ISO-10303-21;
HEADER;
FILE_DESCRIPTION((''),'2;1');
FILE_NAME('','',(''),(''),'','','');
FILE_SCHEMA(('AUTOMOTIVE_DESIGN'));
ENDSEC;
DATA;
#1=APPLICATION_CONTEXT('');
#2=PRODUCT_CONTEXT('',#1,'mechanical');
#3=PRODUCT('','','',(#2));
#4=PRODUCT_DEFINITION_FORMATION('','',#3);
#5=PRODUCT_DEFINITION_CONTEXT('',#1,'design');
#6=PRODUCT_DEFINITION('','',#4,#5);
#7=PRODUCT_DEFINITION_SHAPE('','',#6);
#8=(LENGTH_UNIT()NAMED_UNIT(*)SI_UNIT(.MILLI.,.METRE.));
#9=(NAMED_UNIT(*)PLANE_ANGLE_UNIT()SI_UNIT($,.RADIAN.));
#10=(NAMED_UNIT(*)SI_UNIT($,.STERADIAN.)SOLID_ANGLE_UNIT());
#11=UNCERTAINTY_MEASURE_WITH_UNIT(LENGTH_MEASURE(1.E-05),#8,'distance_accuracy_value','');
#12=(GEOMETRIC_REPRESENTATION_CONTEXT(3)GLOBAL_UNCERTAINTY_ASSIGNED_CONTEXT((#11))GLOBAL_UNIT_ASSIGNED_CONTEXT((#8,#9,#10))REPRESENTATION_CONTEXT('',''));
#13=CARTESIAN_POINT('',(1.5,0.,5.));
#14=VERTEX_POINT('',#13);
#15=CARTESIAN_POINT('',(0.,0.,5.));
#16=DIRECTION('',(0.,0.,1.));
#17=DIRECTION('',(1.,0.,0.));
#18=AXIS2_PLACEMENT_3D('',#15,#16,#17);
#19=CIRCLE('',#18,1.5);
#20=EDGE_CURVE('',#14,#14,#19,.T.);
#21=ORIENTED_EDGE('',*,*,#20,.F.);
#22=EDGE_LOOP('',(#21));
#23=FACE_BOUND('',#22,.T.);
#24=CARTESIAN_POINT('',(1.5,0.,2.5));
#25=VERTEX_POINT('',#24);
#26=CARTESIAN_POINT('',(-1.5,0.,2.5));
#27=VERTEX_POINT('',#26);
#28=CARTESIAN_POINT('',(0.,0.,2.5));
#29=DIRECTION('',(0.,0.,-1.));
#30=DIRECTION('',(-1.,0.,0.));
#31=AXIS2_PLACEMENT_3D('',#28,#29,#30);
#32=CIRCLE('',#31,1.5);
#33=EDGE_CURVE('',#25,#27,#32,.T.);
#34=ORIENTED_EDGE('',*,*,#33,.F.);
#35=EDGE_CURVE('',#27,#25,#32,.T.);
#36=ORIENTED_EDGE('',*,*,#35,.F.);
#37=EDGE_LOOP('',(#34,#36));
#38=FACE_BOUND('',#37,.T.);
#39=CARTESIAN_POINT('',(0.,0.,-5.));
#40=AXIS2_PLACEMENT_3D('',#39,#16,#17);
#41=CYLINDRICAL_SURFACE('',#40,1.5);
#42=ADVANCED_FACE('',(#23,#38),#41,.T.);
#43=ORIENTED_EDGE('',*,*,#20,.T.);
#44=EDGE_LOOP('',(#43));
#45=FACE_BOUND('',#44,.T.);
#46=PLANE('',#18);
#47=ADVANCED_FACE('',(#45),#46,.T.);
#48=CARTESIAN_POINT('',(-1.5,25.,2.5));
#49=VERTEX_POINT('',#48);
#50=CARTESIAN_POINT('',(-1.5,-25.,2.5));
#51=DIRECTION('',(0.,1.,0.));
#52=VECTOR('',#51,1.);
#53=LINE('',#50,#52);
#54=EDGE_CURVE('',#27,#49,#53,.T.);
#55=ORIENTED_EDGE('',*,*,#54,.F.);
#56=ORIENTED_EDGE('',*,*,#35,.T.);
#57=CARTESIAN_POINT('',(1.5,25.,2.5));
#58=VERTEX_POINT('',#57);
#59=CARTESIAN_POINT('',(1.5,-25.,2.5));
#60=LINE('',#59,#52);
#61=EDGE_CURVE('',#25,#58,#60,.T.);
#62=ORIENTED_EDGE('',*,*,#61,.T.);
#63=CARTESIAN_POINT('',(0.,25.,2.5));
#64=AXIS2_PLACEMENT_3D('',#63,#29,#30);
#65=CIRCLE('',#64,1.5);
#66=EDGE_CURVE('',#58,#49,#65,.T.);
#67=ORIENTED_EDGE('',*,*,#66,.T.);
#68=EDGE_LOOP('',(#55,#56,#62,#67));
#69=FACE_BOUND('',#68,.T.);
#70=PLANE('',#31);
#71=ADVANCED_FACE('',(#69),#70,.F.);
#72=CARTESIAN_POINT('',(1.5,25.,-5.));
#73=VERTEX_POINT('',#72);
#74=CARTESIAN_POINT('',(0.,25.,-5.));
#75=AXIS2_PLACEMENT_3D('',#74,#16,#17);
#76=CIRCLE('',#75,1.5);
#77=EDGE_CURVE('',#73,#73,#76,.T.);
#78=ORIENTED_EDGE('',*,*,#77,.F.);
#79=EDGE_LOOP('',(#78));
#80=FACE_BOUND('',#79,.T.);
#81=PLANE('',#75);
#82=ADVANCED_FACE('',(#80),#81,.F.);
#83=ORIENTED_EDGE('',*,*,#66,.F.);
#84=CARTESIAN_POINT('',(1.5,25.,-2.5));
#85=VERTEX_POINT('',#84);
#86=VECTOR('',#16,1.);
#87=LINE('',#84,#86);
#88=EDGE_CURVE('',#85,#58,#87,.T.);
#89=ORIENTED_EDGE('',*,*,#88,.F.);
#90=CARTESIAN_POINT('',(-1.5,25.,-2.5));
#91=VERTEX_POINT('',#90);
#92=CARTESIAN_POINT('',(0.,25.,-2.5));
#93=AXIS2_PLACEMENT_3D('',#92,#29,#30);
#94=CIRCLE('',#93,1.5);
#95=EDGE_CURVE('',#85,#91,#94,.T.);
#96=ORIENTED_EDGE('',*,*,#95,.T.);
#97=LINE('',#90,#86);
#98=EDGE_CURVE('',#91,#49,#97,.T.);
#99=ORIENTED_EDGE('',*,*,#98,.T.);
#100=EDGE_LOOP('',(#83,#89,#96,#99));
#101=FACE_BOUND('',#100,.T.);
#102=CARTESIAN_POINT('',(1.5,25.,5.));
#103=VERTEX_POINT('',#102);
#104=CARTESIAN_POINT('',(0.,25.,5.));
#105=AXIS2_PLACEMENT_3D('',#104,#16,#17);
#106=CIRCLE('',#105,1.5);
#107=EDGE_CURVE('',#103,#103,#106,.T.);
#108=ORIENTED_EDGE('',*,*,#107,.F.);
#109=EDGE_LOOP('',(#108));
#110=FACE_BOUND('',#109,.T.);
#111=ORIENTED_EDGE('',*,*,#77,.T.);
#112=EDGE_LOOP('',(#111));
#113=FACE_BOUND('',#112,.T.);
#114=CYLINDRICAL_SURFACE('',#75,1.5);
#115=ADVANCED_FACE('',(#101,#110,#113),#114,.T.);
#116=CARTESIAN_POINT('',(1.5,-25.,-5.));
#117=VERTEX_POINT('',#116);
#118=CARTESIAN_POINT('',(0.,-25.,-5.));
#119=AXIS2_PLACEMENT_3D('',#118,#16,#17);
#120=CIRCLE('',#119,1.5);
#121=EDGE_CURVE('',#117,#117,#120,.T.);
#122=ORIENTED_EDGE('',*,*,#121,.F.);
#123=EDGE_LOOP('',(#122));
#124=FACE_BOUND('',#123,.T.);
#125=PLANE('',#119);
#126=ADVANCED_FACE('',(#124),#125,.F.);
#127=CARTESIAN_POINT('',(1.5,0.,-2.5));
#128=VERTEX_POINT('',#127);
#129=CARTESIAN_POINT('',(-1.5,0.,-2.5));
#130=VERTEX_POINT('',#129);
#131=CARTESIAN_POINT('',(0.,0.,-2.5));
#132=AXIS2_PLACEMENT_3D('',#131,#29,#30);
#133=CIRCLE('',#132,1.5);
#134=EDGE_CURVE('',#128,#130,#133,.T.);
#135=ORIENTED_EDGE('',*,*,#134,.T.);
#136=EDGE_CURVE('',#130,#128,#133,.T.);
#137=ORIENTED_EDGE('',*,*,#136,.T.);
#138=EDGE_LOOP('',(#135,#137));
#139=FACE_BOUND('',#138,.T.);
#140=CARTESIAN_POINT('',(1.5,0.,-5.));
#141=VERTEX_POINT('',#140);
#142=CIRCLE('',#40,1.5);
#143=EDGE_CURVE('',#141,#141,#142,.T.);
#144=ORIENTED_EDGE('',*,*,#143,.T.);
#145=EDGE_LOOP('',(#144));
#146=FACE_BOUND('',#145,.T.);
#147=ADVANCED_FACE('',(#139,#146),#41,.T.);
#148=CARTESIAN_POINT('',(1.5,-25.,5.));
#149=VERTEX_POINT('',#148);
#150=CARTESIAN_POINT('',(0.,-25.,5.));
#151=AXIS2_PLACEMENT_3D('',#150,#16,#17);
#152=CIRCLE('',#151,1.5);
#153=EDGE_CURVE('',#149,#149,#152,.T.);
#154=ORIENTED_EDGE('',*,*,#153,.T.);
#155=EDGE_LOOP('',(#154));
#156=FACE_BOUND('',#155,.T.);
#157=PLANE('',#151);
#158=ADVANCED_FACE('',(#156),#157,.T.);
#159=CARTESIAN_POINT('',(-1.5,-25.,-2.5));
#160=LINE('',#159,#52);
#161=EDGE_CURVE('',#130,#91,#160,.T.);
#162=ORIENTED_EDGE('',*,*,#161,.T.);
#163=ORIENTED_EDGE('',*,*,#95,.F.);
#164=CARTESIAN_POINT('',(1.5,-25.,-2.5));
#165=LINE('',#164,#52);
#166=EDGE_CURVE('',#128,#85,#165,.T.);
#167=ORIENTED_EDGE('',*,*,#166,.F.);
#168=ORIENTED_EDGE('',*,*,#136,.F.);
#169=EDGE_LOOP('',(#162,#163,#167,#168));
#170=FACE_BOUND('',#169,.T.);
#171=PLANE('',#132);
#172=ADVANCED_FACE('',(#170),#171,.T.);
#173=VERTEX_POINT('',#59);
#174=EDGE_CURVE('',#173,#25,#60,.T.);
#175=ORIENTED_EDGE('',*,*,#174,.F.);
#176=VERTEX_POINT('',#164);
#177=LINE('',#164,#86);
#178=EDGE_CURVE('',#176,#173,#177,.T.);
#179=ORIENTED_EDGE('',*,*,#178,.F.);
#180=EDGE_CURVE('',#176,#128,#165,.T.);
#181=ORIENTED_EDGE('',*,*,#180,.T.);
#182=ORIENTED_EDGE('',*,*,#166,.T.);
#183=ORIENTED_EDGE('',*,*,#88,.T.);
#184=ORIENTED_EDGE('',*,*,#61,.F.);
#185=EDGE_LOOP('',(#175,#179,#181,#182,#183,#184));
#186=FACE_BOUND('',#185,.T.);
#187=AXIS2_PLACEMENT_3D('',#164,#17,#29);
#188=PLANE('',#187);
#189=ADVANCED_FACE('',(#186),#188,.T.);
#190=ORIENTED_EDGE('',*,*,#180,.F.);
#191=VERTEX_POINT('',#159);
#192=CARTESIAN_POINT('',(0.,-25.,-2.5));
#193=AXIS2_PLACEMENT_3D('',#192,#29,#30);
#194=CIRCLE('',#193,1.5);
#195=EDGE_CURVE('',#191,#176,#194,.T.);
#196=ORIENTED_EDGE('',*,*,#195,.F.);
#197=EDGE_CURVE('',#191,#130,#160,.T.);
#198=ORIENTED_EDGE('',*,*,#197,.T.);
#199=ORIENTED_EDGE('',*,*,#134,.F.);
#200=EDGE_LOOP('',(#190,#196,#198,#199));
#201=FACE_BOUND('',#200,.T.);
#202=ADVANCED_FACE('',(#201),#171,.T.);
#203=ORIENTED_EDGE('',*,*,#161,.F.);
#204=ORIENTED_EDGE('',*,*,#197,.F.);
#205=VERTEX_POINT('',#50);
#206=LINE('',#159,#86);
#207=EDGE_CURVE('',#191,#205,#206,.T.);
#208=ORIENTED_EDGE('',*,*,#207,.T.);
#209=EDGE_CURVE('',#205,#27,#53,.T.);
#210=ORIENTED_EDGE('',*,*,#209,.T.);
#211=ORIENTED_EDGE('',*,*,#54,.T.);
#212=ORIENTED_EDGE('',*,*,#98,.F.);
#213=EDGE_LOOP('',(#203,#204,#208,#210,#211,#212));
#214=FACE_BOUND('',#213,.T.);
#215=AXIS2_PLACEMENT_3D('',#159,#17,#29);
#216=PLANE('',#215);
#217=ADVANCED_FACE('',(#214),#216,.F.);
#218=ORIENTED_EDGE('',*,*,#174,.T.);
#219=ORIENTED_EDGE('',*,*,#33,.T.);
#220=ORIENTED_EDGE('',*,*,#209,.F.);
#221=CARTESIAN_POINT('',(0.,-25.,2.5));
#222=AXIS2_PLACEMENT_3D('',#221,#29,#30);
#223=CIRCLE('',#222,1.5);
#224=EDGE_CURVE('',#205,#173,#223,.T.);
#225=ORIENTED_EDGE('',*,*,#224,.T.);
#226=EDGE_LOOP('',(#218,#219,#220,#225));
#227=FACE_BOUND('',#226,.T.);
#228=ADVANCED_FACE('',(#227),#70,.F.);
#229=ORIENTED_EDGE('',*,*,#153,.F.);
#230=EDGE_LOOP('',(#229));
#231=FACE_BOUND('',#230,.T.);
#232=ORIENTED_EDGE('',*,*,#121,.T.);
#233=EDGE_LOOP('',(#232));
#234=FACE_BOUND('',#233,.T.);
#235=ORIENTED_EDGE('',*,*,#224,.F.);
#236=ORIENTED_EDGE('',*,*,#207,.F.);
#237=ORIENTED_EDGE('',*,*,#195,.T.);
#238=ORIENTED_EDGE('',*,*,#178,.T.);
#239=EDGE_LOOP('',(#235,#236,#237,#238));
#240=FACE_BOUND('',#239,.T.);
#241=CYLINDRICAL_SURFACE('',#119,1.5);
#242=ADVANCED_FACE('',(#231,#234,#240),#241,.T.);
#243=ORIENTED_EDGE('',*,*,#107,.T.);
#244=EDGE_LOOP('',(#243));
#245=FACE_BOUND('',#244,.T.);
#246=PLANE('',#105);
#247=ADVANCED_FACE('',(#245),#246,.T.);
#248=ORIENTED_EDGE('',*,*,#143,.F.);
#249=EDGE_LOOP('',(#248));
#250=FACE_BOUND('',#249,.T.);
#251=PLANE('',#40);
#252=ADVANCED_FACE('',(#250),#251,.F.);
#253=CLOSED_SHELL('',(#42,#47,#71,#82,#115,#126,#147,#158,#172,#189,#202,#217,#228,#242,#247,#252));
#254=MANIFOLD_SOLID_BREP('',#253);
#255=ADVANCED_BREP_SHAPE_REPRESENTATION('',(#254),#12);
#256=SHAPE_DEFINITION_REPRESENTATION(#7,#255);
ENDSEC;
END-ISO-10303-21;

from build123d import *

# Parameters (mm, degrees)
SALIENTE_EXTRUIR1_DEPTH      = 2.5
SALIENTE_EXTRUIR1_DEPTH_BACK = 2.5
CROQUIS1_W                   = 3
CROQUIS1_H                   = 50
SALIENTE_EXTRUIR2_DEPTH      = 5
SALIENTE_EXTRUIR2_DEPTH_BACK = 5
CROQUIS1_3_R                 = 1.5


with BuildPart() as part:
    # Croquis1 → Saliente-Extruir1 (new, two sides: drawn at the far end of the back side and taken through both)
    with BuildSketch(Plane.XY.offset(-SALIENTE_EXTRUIR1_DEPTH_BACK)):
        Rectangle(CROQUIS1_W, CROQUIS1_H)
    extrude(amount=SALIENTE_EXTRUIR1_DEPTH + SALIENTE_EXTRUIR1_DEPTH_BACK)

    # Croquis1<3> → Saliente-Extruir2 (add, two sides: drawn at the far end of the back side and taken through both)
    with BuildSketch(Plane.XY.offset(-SALIENTE_EXTRUIR2_DEPTH_BACK)):
        with Locations((0, 25)):
            Circle(CROQUIS1_3_R)
        with Locations((0, -25)):
            Circle(CROQUIS1_3_R)
        Circle(CROQUIS1_3_R)
    extrude(amount=SALIENTE_EXTRUIR2_DEPTH + SALIENTE_EXTRUIR2_DEPTH_BACK)


solid = part.part
